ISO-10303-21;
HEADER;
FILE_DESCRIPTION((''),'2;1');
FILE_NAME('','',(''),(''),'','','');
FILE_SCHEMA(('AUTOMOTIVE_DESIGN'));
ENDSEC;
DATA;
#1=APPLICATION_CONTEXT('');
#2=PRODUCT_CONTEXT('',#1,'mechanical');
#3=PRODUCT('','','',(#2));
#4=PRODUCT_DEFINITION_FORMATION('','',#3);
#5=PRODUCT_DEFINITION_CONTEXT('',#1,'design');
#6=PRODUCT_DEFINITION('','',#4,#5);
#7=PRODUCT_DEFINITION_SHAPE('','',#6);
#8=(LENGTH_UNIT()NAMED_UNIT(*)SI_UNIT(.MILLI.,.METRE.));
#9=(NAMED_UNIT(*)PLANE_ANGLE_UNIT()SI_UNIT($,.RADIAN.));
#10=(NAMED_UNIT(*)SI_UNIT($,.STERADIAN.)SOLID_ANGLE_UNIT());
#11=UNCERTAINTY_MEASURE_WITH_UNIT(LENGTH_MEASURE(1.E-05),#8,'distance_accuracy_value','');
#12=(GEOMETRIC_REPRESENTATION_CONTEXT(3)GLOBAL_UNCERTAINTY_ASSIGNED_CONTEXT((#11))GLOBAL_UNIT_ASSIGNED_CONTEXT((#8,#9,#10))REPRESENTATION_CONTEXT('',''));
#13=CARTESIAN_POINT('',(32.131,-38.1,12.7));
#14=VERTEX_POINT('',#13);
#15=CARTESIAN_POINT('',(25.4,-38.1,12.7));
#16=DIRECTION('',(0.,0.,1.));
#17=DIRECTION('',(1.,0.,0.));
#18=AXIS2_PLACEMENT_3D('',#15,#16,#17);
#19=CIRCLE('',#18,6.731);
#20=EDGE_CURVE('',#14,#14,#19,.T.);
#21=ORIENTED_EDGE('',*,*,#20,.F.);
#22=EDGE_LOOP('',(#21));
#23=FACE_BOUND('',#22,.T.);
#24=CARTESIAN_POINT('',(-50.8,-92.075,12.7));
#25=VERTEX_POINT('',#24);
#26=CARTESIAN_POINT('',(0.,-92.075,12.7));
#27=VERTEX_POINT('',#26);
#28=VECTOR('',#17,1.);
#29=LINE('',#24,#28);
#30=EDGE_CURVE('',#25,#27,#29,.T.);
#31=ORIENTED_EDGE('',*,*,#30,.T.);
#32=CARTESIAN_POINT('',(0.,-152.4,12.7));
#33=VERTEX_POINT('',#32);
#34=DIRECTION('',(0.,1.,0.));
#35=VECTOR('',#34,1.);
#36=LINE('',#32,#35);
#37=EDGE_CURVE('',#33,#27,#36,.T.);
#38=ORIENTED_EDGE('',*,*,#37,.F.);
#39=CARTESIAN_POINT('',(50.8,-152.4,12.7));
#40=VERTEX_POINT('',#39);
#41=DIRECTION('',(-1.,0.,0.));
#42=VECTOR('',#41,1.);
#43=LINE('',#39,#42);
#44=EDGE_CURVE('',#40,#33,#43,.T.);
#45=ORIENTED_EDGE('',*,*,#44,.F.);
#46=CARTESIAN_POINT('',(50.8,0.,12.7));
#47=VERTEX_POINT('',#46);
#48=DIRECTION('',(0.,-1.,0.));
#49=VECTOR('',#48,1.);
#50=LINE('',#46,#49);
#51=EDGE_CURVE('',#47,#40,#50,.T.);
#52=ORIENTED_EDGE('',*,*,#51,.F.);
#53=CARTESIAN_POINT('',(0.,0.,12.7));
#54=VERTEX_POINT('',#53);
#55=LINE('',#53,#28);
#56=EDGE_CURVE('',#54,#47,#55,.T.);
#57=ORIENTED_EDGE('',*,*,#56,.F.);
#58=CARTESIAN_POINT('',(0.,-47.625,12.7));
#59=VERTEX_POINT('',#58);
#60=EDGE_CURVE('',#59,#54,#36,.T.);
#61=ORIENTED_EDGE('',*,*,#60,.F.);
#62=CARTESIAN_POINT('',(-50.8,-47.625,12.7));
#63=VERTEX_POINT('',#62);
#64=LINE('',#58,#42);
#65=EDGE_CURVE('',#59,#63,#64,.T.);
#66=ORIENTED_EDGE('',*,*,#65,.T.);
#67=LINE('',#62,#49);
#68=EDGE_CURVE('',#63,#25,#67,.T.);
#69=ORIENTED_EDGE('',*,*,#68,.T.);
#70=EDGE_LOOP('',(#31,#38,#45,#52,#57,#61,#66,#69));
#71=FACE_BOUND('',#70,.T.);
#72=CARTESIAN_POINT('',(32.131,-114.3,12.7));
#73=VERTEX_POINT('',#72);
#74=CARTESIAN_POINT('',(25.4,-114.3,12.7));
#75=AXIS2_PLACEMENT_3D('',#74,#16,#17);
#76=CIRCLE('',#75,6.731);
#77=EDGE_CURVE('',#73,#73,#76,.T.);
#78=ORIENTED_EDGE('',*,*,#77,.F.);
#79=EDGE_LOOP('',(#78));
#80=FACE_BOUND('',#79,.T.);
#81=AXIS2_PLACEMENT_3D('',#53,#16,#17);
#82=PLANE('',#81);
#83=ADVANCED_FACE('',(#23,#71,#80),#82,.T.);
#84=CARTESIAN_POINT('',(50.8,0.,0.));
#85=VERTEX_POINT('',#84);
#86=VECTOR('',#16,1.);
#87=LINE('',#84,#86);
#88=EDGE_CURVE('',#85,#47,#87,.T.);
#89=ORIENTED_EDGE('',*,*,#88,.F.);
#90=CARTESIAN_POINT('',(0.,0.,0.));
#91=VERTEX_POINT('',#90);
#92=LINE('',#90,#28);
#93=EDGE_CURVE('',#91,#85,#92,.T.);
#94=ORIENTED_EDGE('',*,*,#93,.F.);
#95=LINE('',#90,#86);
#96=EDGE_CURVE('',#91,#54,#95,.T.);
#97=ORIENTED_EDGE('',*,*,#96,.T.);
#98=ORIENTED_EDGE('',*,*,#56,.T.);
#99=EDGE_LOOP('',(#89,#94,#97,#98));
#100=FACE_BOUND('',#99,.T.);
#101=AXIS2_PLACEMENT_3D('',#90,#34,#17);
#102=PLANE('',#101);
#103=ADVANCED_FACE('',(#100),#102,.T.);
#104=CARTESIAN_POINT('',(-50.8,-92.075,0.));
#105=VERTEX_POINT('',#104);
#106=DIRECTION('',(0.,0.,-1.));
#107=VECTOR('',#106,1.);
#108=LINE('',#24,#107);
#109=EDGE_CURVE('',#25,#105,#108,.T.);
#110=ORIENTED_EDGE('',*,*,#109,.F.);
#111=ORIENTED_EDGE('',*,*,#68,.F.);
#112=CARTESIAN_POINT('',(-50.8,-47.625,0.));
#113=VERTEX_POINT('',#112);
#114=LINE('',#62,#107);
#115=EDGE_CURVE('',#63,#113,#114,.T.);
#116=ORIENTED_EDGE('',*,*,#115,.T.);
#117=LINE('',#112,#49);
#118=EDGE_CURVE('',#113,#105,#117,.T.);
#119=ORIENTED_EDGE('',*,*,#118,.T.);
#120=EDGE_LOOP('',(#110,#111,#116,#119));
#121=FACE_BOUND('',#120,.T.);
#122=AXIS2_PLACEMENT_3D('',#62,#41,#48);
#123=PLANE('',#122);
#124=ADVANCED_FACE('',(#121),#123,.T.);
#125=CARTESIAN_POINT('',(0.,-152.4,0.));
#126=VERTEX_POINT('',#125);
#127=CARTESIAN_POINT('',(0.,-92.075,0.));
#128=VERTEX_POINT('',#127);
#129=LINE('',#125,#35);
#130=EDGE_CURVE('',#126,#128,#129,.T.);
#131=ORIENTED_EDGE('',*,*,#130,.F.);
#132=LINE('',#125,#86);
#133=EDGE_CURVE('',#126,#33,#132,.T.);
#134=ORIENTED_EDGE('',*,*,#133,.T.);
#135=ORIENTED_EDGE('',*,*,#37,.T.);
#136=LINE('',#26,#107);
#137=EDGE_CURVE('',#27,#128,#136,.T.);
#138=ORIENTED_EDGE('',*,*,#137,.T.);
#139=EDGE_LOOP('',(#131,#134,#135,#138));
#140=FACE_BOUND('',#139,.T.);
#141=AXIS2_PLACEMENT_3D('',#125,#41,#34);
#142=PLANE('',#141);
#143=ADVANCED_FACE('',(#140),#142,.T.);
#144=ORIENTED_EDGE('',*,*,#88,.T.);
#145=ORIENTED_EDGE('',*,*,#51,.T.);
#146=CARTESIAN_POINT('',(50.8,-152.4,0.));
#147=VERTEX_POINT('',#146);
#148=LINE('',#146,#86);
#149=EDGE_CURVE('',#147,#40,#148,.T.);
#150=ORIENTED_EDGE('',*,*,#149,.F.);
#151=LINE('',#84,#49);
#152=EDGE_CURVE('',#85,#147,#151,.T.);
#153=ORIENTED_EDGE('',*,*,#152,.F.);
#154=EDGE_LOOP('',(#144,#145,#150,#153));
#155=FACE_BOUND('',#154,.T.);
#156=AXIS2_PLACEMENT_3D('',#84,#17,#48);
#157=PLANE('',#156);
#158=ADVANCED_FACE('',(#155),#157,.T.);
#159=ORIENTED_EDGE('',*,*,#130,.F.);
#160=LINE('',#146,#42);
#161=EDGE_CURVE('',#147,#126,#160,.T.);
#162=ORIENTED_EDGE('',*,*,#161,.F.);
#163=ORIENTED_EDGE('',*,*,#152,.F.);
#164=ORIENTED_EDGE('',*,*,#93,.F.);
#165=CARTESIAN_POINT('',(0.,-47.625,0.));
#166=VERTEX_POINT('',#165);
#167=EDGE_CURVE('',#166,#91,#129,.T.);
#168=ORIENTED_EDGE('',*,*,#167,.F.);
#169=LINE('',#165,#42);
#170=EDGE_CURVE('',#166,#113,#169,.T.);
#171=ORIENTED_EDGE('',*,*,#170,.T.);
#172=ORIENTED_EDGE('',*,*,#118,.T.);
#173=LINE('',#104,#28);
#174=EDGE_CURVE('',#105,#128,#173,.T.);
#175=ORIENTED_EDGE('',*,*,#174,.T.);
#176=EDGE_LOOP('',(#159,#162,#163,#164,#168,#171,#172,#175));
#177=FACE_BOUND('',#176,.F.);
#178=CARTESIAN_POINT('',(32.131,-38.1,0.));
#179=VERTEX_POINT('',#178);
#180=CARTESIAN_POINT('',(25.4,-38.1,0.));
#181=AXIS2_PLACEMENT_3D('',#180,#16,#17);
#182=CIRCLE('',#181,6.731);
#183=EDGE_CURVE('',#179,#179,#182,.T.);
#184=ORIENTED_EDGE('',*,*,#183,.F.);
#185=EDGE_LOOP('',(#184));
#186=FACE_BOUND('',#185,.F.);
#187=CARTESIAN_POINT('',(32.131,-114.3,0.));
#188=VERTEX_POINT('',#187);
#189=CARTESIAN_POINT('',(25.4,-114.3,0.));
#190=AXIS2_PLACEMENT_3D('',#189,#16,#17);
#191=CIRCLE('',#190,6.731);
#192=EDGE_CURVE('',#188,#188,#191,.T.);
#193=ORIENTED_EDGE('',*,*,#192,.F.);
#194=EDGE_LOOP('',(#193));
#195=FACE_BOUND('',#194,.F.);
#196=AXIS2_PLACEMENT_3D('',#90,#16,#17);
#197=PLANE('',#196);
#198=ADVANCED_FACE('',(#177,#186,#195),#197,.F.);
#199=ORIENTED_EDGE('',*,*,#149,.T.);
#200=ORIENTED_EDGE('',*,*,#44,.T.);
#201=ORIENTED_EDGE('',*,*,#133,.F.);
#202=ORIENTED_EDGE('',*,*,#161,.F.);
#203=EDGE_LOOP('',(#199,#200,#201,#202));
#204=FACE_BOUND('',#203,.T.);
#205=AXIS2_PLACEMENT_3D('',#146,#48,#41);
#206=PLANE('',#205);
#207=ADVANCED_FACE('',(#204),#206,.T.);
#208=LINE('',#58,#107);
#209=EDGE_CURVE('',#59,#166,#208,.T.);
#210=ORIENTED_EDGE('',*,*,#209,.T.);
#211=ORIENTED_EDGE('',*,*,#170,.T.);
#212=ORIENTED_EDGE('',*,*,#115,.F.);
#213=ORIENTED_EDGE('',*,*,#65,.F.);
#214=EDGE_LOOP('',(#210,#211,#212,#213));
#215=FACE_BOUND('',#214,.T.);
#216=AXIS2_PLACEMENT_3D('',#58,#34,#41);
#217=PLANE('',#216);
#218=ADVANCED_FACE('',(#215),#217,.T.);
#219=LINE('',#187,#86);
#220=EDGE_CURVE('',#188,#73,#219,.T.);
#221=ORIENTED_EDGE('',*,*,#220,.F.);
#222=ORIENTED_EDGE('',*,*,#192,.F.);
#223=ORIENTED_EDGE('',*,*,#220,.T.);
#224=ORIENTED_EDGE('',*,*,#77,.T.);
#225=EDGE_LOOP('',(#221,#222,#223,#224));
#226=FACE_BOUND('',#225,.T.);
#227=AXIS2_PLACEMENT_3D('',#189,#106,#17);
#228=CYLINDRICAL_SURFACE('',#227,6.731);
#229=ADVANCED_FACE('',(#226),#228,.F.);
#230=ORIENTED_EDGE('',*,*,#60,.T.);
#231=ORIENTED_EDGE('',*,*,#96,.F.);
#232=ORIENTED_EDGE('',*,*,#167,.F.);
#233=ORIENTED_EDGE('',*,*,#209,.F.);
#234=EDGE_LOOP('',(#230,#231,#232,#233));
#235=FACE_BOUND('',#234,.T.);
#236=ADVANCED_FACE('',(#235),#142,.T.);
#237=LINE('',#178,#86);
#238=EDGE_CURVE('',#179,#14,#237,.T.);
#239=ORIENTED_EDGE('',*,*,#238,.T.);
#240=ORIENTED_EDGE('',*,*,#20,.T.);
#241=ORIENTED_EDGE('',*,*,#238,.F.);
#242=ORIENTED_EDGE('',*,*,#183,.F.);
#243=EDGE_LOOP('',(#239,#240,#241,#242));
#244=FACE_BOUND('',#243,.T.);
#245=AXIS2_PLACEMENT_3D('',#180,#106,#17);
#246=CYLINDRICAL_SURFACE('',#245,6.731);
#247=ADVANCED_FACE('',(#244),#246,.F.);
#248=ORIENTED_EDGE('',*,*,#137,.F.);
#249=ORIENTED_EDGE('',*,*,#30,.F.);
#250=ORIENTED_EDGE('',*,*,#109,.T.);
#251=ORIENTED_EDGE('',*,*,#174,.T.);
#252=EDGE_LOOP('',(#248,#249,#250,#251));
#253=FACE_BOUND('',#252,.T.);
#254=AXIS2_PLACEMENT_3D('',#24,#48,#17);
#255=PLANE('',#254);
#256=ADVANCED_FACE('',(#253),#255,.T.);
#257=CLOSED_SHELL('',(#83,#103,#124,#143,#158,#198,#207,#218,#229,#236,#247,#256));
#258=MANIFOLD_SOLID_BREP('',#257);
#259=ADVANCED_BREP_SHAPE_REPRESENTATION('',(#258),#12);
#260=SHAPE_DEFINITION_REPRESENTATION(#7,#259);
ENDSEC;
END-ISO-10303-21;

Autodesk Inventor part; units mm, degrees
ref_plane "YZ Plane" through (0, 0, 0) normal (1, 0, 0) x (0, 1, 0)
ref_plane "XZ Plane" through (0, 0, 0) normal (0, 1, 0) x (-1, 0, 0)
ref_plane "XY Plane" through (0, 0, 0) normal (0, 0, 1) x (1, 0, 0)
sketch "Sketch1" plane through (0, 0, 0) normal (0, 0, 1) x (1, 0, 0)
  line L0 (0, 0) -> (50.8, 0)
  line L1 (50.8, 0) -> (50.8, -152.4)
  line L2 (50.8, -152.4) -> (0, -152.4)
  line L3 (0, -152.4) -> (0, 0)
  circle A0 centre (25.4, -114.3) radius 6.731
  circle A1 centre (25.4, -38.1) radius 6.731
  dimension "d0" = 50.8
  dimension "d1" = 152.4
  dimension "d2" = 13.462
  dimension "d3" = 13.462
  dimension "d4" = 25.4
  dimension "d5" = 25.4
  dimension "d6" = 38.1
  dimension "d7" = 38.1
extrude "Extrusion1" add sketch "Sketch1" along normal blind 12.7
sketch "Sketch3" plane through (0, 0, 12.7) normal (0, 0, 1) x (1, 0, 0)
  point P0 (0, 0)
sketch "Sketch4" plane through (0, 0, 12.7) normal (0, 0, 1) x (1, 0, 0)
  line L0 (0, 0) -> (0, -152.4) projected
  line L1 (0, -47.625) -> (-50.8, -47.625)
  line L2 (-50.8, -47.625) -> (-50.8, -92.075)
  line L3 (-50.8, -92.075) -> (0, -92.075)
  line L4 (0, -92.075) -> (0, -47.625)
  line L5 (0, -152.4) -> (50.8, -152.4) projected
  dimension "d23" = 50.8
  dimension "d24" = 44.45
  dimension "d27" = 104.775
extrude "Extrusion3" add sketch "Sketch4" against normal blind 12.7
properties part number "IC slider"
